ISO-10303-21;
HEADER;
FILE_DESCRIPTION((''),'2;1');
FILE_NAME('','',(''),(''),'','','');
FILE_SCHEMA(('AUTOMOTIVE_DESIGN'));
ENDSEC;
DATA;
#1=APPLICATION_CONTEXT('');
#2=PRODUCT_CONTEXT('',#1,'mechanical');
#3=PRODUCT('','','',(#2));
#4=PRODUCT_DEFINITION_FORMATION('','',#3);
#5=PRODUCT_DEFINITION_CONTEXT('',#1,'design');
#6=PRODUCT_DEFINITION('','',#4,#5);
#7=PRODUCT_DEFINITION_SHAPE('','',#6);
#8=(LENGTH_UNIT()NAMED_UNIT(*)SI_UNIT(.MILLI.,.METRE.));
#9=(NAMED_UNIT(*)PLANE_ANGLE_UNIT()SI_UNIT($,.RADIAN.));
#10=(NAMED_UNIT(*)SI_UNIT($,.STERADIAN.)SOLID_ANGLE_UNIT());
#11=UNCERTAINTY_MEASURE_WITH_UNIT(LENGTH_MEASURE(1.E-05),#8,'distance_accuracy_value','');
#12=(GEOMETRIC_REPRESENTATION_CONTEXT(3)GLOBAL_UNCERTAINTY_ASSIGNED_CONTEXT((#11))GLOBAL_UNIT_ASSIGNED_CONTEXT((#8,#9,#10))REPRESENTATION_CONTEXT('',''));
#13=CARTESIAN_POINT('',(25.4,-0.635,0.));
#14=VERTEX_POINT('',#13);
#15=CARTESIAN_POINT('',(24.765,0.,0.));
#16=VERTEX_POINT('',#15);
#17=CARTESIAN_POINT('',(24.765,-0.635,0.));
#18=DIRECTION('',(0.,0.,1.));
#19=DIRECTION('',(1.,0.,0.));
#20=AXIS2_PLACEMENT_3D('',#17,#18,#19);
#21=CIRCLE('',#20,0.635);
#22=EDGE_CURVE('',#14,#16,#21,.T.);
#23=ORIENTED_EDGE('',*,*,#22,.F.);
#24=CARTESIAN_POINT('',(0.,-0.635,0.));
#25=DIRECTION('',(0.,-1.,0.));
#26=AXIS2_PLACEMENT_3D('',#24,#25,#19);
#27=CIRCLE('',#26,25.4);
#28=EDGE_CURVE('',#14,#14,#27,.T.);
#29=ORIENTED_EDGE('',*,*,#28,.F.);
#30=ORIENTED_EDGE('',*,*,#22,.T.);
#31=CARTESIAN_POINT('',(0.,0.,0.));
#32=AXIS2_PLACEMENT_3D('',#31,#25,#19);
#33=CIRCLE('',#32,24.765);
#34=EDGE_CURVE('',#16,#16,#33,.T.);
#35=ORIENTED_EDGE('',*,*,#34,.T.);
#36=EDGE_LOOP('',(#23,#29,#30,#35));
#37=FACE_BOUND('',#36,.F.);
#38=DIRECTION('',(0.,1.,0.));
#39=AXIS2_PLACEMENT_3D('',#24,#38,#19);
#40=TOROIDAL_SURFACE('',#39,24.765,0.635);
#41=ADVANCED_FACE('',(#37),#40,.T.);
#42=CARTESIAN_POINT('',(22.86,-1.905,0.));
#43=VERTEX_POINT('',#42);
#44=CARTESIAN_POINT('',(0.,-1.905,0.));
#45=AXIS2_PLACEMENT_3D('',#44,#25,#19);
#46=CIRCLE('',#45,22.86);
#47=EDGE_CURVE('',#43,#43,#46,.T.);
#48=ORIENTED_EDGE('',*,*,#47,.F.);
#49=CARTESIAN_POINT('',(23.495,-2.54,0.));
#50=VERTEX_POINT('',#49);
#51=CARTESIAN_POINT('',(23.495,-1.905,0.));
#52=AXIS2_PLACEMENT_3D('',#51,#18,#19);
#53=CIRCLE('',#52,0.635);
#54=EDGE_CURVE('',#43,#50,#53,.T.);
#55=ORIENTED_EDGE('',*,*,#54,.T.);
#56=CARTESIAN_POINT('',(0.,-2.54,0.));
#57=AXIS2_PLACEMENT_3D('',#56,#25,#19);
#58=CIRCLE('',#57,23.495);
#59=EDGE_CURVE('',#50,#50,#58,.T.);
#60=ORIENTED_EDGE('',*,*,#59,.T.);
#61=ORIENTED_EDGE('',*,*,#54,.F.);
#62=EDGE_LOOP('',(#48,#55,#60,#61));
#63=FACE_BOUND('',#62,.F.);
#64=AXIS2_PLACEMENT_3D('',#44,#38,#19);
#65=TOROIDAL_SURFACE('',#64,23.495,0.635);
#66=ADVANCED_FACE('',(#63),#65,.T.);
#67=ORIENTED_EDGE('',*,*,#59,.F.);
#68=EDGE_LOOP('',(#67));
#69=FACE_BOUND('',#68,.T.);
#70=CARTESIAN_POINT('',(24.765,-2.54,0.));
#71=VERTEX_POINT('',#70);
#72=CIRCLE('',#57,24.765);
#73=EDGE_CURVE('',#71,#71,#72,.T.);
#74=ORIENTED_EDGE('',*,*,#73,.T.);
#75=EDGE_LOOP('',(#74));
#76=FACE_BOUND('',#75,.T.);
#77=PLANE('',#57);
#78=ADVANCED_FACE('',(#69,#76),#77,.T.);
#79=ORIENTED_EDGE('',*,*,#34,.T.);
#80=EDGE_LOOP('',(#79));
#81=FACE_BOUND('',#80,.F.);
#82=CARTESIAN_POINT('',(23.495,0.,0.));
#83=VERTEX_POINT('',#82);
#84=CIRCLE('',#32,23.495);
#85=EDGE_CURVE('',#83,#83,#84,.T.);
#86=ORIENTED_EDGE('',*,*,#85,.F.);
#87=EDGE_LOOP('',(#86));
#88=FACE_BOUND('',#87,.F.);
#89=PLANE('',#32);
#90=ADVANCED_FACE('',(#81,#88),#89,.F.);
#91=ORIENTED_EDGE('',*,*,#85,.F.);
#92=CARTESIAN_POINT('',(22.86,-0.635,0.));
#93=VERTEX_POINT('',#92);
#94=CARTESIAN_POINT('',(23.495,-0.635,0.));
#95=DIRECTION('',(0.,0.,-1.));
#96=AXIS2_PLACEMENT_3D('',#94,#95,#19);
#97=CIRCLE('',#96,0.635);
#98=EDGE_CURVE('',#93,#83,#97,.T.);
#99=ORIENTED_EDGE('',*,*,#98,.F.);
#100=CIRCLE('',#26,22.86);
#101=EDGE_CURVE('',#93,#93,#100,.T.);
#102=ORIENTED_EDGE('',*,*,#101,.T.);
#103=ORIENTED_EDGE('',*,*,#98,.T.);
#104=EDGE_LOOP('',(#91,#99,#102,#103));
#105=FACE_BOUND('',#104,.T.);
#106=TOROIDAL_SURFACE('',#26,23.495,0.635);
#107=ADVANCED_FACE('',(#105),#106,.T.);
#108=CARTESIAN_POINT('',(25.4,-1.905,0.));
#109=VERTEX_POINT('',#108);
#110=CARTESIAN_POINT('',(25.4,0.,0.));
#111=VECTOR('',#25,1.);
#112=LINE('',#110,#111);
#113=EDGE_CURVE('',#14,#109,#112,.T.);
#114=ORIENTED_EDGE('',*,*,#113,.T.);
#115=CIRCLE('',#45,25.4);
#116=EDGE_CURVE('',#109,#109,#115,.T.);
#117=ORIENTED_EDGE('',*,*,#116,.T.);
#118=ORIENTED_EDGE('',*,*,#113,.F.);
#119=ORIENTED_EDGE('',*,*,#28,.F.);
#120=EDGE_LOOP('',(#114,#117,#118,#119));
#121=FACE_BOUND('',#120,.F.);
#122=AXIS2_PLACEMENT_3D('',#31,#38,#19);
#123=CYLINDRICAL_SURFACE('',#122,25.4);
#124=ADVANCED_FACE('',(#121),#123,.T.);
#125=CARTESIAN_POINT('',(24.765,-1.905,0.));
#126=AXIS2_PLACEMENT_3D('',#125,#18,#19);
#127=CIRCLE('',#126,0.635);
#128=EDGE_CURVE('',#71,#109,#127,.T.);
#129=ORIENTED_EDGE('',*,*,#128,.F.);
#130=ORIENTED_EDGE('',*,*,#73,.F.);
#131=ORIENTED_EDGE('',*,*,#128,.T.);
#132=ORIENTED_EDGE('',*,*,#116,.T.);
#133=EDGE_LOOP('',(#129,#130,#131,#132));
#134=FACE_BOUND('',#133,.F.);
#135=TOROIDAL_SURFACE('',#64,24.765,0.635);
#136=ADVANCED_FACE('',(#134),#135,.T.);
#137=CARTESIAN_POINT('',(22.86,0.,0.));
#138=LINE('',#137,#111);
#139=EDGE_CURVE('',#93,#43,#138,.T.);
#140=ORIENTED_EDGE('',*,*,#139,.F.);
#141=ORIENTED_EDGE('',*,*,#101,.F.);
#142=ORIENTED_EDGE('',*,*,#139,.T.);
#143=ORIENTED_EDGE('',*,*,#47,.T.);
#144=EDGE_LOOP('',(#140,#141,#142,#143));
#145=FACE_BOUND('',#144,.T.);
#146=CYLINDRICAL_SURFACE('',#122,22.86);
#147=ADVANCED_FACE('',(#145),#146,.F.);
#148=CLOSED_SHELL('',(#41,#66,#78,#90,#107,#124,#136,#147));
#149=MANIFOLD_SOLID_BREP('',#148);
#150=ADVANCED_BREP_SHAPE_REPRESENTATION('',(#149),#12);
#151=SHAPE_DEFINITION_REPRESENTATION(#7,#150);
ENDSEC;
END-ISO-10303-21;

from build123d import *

# Parameters (mm, degrees)
F0_R     = 25.4
F0_R_2   = 22.86
F1_DEPTH = 2.54
F2_R     = 0.635
F3_R     = 0.635
F4_R     = 0.635


with BuildPart() as f1:
    # F0 (on Front) → F1 (new body)
    with BuildSketch(Plane.XZ):
        Circle(F0_R)
        Circle(F0_R_2, mode=Mode.SUBTRACT)
    extrude(amount=F1_DEPTH)

    # F2
    f2_edges = [f1.edges().sort_by_distance(p)[0] for p in [
        (-22.86, -2.54, 0),
    ]]
    fillet(f2_edges, radius=F2_R)

    # F3
    f3_edges = [f1.edges().sort_by_distance(p)[0] for p in [
        (-25.4, -2.54, 0),
    ]]
    fillet(f3_edges, radius=F3_R)

    # F4
    f4_edges = [f1.edges().sort_by_distance(p)[0] for p in [
        (-25.4, 0, 0),
        (-22.86, 0, 0),
    ]]
    fillet(f4_edges, radius=F4_R)


solid = f1.part
